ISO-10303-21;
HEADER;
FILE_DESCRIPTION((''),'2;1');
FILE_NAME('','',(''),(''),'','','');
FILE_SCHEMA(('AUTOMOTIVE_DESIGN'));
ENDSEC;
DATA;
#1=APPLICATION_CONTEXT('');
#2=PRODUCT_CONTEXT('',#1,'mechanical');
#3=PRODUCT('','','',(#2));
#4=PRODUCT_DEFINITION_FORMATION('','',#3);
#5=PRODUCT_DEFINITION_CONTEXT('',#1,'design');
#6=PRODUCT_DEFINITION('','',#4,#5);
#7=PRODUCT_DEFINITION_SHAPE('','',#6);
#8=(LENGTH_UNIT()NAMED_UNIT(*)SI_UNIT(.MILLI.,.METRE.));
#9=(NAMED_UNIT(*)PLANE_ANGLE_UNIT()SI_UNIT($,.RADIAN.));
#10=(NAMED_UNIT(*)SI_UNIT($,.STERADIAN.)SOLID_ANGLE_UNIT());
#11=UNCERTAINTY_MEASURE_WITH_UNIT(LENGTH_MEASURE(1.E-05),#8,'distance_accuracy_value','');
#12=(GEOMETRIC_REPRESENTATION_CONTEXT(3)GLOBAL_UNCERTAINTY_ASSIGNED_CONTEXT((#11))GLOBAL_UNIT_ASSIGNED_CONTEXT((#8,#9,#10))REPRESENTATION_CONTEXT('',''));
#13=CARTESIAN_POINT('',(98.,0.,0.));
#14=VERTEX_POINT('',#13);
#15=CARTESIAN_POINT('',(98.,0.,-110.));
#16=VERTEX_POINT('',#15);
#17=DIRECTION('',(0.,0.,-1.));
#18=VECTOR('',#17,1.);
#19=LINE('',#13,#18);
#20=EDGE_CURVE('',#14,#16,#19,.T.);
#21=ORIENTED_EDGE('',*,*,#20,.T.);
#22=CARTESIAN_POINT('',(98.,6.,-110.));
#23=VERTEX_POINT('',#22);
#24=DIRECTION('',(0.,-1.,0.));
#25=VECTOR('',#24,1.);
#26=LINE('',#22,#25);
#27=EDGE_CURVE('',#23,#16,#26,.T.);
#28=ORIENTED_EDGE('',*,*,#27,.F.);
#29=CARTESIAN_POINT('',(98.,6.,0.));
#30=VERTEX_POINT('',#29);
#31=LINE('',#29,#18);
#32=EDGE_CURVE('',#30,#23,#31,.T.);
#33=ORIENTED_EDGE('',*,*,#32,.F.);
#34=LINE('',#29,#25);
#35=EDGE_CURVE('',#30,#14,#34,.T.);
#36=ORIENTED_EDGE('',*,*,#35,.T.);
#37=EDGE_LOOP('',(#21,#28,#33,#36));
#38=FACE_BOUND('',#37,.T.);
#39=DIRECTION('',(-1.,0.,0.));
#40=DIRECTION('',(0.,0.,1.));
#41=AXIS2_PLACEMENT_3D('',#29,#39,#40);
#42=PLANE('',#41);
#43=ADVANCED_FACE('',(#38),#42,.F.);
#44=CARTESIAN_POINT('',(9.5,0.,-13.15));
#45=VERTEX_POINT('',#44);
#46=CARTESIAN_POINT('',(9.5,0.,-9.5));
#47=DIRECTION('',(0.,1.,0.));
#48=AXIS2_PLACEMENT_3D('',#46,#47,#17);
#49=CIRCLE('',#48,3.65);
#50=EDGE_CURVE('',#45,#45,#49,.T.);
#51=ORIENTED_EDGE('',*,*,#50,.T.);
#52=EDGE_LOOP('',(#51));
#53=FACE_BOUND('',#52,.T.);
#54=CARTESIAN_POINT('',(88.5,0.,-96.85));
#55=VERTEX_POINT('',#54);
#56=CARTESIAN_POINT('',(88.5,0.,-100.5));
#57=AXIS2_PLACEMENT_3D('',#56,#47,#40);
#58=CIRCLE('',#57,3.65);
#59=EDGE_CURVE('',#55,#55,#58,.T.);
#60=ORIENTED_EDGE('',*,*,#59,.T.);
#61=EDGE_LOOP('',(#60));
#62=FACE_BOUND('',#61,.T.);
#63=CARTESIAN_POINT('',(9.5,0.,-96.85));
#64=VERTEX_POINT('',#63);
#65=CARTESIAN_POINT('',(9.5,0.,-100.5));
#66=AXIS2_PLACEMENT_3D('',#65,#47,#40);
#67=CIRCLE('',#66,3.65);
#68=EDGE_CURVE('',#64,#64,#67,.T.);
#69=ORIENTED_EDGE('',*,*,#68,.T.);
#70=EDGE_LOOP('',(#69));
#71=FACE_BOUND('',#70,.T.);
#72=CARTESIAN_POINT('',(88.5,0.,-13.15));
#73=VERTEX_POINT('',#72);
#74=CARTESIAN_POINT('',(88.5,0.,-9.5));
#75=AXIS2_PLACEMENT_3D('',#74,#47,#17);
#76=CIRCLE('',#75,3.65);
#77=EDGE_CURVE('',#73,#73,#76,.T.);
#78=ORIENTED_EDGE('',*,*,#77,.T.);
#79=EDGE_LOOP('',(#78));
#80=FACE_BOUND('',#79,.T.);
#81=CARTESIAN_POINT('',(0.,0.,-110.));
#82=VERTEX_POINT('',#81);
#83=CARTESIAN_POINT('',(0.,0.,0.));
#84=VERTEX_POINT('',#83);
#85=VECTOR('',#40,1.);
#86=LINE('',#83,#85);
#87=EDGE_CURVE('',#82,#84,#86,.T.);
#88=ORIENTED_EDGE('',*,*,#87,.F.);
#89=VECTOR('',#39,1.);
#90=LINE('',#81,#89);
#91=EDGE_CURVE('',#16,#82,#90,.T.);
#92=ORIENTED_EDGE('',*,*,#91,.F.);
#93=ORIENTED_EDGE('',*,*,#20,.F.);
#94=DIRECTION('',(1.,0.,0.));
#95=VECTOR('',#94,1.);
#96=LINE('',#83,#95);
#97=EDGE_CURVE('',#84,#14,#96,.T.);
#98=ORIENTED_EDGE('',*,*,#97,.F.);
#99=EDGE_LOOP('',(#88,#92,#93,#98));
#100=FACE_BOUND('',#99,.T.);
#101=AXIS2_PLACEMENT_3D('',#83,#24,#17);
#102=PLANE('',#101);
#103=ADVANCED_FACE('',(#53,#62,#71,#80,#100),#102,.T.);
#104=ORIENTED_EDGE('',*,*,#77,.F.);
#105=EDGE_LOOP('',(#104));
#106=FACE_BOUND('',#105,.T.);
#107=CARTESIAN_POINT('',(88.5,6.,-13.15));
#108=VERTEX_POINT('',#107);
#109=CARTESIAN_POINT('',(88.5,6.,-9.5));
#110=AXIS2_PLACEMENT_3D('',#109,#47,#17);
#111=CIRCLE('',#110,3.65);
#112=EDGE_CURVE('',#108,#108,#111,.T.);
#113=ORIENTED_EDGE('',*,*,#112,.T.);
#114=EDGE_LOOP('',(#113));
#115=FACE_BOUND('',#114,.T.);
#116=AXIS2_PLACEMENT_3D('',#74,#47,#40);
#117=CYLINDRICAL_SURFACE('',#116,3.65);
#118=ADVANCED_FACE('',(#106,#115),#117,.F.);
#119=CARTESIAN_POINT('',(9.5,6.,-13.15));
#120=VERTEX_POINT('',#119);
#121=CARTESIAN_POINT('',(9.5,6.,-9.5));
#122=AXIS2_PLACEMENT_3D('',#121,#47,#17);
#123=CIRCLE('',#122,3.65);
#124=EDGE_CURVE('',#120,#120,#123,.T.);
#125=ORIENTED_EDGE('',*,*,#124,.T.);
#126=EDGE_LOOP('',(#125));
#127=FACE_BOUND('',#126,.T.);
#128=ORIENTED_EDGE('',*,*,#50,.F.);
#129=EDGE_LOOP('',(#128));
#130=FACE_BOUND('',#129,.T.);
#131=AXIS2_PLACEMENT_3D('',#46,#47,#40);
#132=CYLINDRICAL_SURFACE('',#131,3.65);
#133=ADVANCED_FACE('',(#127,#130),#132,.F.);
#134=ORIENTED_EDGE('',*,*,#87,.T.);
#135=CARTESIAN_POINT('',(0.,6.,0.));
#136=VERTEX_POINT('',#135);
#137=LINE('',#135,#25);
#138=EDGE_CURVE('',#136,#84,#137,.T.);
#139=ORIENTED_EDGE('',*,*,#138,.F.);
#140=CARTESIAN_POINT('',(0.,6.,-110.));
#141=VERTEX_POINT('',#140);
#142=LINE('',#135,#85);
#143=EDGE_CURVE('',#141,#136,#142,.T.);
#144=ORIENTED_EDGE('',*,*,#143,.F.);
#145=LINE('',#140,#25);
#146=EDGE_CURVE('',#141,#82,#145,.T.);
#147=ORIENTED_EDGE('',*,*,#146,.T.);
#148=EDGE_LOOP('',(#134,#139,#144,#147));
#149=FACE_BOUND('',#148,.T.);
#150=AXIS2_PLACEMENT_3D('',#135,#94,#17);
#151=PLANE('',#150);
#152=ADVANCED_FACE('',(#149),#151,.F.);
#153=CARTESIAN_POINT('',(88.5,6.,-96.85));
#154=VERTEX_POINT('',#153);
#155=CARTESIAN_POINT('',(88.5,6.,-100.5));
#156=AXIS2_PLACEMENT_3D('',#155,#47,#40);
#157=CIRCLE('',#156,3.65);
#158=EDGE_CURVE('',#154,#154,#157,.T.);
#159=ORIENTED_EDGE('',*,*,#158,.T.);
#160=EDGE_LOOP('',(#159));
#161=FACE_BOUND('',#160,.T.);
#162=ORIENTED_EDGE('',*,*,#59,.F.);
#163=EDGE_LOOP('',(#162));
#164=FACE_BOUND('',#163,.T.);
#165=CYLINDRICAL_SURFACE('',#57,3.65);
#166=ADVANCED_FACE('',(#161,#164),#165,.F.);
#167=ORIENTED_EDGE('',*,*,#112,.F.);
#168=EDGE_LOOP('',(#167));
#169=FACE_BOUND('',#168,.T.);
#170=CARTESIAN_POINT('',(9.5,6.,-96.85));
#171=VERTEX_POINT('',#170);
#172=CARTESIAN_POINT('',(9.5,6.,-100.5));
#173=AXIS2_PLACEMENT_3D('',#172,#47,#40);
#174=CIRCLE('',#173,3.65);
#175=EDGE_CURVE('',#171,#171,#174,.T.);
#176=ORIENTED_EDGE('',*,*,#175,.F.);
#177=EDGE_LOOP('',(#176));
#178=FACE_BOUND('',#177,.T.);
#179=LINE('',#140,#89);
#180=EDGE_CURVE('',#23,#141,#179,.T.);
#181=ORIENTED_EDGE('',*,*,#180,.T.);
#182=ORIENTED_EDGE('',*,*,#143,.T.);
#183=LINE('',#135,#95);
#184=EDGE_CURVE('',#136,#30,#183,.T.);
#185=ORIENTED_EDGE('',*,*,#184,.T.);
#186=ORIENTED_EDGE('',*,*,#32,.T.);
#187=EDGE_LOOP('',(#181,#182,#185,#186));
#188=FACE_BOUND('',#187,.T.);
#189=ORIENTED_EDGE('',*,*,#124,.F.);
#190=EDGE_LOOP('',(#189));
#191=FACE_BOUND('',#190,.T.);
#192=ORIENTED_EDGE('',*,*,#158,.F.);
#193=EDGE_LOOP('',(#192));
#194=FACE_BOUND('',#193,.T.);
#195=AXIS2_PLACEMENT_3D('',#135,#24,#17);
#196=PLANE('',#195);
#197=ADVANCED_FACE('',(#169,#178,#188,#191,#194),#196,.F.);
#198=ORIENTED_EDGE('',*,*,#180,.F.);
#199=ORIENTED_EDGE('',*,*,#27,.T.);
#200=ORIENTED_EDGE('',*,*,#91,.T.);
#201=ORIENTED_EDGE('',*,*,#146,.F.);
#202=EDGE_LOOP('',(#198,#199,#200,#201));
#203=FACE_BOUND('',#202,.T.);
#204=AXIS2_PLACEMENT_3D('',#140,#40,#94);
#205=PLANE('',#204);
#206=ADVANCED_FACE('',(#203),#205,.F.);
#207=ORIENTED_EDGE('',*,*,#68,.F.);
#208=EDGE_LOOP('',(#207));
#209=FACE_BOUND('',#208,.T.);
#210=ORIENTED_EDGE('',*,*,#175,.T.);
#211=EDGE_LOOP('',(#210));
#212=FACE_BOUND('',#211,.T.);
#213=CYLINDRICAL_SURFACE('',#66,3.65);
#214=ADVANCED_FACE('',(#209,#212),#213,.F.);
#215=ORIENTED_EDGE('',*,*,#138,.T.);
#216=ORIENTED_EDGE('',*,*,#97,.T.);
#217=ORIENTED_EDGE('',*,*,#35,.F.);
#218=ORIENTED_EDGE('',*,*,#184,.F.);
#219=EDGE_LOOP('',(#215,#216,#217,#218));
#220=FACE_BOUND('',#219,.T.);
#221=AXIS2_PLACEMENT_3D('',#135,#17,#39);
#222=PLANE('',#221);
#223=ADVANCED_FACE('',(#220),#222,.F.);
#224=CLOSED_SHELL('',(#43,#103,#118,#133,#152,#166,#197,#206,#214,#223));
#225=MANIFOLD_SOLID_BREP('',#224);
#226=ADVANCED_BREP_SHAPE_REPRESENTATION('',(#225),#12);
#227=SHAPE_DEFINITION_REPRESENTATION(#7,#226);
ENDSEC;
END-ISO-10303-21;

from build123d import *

# Parameters (mm, degrees)
ESQUISSE1_W             = 98
ESQUISSE1_H             = 110
BOSS_EXTRU_1_DEPTH      = 6
ESQUISSE2_R             = 3.65
ENL_V_MAT_EXTRU_1_DEPTH = 7


with BuildPart() as part:
    # Esquisse1 → Boss.-Extru.1 (new body)
    with BuildSketch(Plane(origin=(0, 0, 0), x_dir=(1, 0, 0), z_dir=(0, 1, 0))):
        with Locations((49, 55)):
            Rectangle(ESQUISSE1_W, ESQUISSE1_H)
    extrude(amount=BOSS_EXTRU_1_DEPTH)

    # Esquisse2 → Enlèv. mat.-Extru.1 (cut, through all)
    with BuildSketch(Plane(origin=(0, 6, 0), x_dir=(1, 0, 0), z_dir=(0, 1, 0))):
        with Locations((9.5, 100.5)):
            Circle(ESQUISSE2_R)
        with Locations((88.5, 100.5)):
            Circle(ESQUISSE2_R)
        with Locations((88.5, 9.5)):
            Circle(ESQUISSE2_R)
        with Locations((9.5, 9.5)):
            Circle(ESQUISSE2_R)
    extrude(amount=-ENL_V_MAT_EXTRU_1_DEPTH, mode=Mode.SUBTRACT)


solid = part.part
